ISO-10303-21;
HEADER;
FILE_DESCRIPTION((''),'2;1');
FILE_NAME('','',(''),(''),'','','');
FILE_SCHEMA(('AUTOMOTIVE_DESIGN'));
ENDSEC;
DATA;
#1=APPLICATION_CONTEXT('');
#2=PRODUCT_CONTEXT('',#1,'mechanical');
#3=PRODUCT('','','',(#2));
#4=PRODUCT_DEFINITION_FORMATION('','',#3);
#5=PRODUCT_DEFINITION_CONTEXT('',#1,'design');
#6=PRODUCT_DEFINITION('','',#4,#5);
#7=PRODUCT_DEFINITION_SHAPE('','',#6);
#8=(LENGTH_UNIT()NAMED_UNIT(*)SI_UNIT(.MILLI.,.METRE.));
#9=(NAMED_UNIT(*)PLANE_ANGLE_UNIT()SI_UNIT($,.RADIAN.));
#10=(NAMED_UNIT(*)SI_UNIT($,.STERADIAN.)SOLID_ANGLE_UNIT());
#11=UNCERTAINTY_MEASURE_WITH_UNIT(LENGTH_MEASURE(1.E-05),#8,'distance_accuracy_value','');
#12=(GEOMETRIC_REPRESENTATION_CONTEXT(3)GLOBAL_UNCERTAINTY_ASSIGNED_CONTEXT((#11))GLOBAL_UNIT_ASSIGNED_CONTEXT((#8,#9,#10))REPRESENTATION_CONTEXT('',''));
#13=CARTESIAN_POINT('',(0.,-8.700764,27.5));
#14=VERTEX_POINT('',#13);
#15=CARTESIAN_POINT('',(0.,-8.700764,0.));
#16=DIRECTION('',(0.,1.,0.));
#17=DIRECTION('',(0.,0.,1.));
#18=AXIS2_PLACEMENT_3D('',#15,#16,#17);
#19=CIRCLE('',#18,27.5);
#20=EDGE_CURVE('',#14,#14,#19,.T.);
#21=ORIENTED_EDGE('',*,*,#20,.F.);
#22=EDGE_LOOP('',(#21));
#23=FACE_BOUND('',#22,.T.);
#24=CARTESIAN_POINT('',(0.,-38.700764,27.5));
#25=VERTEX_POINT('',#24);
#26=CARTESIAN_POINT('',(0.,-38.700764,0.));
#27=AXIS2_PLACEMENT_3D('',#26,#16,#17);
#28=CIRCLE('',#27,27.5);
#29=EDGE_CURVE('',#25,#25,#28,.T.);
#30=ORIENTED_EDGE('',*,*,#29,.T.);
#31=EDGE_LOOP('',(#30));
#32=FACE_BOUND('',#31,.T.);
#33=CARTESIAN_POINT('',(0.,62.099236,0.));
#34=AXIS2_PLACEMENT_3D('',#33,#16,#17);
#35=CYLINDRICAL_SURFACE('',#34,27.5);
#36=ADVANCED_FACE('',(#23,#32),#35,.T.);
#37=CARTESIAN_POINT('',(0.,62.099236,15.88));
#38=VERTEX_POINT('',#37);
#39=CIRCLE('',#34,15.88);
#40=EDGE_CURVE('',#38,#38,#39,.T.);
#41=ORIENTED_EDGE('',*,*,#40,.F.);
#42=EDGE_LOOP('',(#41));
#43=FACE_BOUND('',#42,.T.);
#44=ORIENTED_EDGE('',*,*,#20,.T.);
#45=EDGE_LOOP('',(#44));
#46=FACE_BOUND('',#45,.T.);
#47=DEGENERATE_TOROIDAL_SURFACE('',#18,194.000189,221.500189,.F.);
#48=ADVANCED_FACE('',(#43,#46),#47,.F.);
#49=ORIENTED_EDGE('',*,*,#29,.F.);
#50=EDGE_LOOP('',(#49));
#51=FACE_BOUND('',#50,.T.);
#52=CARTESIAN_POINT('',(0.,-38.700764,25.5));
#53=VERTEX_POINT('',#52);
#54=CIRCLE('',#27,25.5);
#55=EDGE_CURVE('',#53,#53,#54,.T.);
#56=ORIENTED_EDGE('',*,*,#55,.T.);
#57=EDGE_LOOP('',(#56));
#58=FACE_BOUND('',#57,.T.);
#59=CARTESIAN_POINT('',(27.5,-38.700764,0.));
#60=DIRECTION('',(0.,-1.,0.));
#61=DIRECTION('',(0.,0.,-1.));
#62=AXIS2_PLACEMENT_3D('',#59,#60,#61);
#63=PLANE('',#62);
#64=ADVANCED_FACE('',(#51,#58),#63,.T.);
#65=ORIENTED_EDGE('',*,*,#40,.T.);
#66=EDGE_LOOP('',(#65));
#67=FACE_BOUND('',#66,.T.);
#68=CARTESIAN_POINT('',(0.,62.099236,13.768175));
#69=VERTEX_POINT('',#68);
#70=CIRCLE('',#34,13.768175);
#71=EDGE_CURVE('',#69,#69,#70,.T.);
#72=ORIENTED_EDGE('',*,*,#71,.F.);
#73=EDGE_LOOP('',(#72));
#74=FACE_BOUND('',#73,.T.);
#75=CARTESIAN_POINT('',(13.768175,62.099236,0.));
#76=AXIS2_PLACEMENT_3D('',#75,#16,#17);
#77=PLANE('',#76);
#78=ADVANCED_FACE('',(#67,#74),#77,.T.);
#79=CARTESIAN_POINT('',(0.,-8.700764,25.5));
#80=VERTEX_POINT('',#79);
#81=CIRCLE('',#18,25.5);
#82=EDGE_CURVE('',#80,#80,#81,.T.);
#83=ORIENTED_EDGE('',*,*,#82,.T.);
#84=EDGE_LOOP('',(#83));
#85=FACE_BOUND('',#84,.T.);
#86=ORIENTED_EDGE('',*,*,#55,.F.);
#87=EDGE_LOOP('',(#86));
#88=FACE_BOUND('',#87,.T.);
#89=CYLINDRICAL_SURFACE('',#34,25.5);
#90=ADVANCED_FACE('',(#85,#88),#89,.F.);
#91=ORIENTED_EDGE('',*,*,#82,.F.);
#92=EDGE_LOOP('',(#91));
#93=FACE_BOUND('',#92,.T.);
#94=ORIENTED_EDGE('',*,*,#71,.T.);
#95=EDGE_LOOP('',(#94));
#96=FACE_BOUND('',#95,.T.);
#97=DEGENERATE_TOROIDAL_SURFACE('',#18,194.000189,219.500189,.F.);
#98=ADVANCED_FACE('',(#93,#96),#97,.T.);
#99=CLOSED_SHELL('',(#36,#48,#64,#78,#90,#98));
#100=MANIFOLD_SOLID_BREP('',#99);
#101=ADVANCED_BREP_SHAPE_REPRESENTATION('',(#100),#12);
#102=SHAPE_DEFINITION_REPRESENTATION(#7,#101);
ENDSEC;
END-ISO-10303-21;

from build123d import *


with BuildPart() as part:
    # Sketch1 → Revolve1 (revolve)
    with BuildSketch(Plane.XY, mode=Mode.PRIVATE) as revolve1_sk:
        with BuildLine():
            Line((13.768174758, 62.099236364), (15.88, 62.099236364))
            ThreePointArc((15.88, 62.099236364), (24.575696287, 27.172849229), (27.5, -8.700763636))
            Line((27.5, -8.700763636), (27.5, -38.700763636))
            Line((27.5, -38.700763636), (25.5, -38.700763636))
            Line((25.5, -38.700763636), (25.5, -36.700763636))
            Line((25.5, -36.700763636), (25.5, -8.700763636))
            ThreePointArc((25.5, -8.700763636), (22.547182358, 27.181947115), (13.768174758, 62.099236364))
        make_face()
    revolve(revolve1_sk.sketch.rotate(Axis((0, 62.099236364, 0), (0, -1, 0)), 90), axis=Axis((0, 62.099236364, 0), (0, -1, 0)))


solid = part.part
